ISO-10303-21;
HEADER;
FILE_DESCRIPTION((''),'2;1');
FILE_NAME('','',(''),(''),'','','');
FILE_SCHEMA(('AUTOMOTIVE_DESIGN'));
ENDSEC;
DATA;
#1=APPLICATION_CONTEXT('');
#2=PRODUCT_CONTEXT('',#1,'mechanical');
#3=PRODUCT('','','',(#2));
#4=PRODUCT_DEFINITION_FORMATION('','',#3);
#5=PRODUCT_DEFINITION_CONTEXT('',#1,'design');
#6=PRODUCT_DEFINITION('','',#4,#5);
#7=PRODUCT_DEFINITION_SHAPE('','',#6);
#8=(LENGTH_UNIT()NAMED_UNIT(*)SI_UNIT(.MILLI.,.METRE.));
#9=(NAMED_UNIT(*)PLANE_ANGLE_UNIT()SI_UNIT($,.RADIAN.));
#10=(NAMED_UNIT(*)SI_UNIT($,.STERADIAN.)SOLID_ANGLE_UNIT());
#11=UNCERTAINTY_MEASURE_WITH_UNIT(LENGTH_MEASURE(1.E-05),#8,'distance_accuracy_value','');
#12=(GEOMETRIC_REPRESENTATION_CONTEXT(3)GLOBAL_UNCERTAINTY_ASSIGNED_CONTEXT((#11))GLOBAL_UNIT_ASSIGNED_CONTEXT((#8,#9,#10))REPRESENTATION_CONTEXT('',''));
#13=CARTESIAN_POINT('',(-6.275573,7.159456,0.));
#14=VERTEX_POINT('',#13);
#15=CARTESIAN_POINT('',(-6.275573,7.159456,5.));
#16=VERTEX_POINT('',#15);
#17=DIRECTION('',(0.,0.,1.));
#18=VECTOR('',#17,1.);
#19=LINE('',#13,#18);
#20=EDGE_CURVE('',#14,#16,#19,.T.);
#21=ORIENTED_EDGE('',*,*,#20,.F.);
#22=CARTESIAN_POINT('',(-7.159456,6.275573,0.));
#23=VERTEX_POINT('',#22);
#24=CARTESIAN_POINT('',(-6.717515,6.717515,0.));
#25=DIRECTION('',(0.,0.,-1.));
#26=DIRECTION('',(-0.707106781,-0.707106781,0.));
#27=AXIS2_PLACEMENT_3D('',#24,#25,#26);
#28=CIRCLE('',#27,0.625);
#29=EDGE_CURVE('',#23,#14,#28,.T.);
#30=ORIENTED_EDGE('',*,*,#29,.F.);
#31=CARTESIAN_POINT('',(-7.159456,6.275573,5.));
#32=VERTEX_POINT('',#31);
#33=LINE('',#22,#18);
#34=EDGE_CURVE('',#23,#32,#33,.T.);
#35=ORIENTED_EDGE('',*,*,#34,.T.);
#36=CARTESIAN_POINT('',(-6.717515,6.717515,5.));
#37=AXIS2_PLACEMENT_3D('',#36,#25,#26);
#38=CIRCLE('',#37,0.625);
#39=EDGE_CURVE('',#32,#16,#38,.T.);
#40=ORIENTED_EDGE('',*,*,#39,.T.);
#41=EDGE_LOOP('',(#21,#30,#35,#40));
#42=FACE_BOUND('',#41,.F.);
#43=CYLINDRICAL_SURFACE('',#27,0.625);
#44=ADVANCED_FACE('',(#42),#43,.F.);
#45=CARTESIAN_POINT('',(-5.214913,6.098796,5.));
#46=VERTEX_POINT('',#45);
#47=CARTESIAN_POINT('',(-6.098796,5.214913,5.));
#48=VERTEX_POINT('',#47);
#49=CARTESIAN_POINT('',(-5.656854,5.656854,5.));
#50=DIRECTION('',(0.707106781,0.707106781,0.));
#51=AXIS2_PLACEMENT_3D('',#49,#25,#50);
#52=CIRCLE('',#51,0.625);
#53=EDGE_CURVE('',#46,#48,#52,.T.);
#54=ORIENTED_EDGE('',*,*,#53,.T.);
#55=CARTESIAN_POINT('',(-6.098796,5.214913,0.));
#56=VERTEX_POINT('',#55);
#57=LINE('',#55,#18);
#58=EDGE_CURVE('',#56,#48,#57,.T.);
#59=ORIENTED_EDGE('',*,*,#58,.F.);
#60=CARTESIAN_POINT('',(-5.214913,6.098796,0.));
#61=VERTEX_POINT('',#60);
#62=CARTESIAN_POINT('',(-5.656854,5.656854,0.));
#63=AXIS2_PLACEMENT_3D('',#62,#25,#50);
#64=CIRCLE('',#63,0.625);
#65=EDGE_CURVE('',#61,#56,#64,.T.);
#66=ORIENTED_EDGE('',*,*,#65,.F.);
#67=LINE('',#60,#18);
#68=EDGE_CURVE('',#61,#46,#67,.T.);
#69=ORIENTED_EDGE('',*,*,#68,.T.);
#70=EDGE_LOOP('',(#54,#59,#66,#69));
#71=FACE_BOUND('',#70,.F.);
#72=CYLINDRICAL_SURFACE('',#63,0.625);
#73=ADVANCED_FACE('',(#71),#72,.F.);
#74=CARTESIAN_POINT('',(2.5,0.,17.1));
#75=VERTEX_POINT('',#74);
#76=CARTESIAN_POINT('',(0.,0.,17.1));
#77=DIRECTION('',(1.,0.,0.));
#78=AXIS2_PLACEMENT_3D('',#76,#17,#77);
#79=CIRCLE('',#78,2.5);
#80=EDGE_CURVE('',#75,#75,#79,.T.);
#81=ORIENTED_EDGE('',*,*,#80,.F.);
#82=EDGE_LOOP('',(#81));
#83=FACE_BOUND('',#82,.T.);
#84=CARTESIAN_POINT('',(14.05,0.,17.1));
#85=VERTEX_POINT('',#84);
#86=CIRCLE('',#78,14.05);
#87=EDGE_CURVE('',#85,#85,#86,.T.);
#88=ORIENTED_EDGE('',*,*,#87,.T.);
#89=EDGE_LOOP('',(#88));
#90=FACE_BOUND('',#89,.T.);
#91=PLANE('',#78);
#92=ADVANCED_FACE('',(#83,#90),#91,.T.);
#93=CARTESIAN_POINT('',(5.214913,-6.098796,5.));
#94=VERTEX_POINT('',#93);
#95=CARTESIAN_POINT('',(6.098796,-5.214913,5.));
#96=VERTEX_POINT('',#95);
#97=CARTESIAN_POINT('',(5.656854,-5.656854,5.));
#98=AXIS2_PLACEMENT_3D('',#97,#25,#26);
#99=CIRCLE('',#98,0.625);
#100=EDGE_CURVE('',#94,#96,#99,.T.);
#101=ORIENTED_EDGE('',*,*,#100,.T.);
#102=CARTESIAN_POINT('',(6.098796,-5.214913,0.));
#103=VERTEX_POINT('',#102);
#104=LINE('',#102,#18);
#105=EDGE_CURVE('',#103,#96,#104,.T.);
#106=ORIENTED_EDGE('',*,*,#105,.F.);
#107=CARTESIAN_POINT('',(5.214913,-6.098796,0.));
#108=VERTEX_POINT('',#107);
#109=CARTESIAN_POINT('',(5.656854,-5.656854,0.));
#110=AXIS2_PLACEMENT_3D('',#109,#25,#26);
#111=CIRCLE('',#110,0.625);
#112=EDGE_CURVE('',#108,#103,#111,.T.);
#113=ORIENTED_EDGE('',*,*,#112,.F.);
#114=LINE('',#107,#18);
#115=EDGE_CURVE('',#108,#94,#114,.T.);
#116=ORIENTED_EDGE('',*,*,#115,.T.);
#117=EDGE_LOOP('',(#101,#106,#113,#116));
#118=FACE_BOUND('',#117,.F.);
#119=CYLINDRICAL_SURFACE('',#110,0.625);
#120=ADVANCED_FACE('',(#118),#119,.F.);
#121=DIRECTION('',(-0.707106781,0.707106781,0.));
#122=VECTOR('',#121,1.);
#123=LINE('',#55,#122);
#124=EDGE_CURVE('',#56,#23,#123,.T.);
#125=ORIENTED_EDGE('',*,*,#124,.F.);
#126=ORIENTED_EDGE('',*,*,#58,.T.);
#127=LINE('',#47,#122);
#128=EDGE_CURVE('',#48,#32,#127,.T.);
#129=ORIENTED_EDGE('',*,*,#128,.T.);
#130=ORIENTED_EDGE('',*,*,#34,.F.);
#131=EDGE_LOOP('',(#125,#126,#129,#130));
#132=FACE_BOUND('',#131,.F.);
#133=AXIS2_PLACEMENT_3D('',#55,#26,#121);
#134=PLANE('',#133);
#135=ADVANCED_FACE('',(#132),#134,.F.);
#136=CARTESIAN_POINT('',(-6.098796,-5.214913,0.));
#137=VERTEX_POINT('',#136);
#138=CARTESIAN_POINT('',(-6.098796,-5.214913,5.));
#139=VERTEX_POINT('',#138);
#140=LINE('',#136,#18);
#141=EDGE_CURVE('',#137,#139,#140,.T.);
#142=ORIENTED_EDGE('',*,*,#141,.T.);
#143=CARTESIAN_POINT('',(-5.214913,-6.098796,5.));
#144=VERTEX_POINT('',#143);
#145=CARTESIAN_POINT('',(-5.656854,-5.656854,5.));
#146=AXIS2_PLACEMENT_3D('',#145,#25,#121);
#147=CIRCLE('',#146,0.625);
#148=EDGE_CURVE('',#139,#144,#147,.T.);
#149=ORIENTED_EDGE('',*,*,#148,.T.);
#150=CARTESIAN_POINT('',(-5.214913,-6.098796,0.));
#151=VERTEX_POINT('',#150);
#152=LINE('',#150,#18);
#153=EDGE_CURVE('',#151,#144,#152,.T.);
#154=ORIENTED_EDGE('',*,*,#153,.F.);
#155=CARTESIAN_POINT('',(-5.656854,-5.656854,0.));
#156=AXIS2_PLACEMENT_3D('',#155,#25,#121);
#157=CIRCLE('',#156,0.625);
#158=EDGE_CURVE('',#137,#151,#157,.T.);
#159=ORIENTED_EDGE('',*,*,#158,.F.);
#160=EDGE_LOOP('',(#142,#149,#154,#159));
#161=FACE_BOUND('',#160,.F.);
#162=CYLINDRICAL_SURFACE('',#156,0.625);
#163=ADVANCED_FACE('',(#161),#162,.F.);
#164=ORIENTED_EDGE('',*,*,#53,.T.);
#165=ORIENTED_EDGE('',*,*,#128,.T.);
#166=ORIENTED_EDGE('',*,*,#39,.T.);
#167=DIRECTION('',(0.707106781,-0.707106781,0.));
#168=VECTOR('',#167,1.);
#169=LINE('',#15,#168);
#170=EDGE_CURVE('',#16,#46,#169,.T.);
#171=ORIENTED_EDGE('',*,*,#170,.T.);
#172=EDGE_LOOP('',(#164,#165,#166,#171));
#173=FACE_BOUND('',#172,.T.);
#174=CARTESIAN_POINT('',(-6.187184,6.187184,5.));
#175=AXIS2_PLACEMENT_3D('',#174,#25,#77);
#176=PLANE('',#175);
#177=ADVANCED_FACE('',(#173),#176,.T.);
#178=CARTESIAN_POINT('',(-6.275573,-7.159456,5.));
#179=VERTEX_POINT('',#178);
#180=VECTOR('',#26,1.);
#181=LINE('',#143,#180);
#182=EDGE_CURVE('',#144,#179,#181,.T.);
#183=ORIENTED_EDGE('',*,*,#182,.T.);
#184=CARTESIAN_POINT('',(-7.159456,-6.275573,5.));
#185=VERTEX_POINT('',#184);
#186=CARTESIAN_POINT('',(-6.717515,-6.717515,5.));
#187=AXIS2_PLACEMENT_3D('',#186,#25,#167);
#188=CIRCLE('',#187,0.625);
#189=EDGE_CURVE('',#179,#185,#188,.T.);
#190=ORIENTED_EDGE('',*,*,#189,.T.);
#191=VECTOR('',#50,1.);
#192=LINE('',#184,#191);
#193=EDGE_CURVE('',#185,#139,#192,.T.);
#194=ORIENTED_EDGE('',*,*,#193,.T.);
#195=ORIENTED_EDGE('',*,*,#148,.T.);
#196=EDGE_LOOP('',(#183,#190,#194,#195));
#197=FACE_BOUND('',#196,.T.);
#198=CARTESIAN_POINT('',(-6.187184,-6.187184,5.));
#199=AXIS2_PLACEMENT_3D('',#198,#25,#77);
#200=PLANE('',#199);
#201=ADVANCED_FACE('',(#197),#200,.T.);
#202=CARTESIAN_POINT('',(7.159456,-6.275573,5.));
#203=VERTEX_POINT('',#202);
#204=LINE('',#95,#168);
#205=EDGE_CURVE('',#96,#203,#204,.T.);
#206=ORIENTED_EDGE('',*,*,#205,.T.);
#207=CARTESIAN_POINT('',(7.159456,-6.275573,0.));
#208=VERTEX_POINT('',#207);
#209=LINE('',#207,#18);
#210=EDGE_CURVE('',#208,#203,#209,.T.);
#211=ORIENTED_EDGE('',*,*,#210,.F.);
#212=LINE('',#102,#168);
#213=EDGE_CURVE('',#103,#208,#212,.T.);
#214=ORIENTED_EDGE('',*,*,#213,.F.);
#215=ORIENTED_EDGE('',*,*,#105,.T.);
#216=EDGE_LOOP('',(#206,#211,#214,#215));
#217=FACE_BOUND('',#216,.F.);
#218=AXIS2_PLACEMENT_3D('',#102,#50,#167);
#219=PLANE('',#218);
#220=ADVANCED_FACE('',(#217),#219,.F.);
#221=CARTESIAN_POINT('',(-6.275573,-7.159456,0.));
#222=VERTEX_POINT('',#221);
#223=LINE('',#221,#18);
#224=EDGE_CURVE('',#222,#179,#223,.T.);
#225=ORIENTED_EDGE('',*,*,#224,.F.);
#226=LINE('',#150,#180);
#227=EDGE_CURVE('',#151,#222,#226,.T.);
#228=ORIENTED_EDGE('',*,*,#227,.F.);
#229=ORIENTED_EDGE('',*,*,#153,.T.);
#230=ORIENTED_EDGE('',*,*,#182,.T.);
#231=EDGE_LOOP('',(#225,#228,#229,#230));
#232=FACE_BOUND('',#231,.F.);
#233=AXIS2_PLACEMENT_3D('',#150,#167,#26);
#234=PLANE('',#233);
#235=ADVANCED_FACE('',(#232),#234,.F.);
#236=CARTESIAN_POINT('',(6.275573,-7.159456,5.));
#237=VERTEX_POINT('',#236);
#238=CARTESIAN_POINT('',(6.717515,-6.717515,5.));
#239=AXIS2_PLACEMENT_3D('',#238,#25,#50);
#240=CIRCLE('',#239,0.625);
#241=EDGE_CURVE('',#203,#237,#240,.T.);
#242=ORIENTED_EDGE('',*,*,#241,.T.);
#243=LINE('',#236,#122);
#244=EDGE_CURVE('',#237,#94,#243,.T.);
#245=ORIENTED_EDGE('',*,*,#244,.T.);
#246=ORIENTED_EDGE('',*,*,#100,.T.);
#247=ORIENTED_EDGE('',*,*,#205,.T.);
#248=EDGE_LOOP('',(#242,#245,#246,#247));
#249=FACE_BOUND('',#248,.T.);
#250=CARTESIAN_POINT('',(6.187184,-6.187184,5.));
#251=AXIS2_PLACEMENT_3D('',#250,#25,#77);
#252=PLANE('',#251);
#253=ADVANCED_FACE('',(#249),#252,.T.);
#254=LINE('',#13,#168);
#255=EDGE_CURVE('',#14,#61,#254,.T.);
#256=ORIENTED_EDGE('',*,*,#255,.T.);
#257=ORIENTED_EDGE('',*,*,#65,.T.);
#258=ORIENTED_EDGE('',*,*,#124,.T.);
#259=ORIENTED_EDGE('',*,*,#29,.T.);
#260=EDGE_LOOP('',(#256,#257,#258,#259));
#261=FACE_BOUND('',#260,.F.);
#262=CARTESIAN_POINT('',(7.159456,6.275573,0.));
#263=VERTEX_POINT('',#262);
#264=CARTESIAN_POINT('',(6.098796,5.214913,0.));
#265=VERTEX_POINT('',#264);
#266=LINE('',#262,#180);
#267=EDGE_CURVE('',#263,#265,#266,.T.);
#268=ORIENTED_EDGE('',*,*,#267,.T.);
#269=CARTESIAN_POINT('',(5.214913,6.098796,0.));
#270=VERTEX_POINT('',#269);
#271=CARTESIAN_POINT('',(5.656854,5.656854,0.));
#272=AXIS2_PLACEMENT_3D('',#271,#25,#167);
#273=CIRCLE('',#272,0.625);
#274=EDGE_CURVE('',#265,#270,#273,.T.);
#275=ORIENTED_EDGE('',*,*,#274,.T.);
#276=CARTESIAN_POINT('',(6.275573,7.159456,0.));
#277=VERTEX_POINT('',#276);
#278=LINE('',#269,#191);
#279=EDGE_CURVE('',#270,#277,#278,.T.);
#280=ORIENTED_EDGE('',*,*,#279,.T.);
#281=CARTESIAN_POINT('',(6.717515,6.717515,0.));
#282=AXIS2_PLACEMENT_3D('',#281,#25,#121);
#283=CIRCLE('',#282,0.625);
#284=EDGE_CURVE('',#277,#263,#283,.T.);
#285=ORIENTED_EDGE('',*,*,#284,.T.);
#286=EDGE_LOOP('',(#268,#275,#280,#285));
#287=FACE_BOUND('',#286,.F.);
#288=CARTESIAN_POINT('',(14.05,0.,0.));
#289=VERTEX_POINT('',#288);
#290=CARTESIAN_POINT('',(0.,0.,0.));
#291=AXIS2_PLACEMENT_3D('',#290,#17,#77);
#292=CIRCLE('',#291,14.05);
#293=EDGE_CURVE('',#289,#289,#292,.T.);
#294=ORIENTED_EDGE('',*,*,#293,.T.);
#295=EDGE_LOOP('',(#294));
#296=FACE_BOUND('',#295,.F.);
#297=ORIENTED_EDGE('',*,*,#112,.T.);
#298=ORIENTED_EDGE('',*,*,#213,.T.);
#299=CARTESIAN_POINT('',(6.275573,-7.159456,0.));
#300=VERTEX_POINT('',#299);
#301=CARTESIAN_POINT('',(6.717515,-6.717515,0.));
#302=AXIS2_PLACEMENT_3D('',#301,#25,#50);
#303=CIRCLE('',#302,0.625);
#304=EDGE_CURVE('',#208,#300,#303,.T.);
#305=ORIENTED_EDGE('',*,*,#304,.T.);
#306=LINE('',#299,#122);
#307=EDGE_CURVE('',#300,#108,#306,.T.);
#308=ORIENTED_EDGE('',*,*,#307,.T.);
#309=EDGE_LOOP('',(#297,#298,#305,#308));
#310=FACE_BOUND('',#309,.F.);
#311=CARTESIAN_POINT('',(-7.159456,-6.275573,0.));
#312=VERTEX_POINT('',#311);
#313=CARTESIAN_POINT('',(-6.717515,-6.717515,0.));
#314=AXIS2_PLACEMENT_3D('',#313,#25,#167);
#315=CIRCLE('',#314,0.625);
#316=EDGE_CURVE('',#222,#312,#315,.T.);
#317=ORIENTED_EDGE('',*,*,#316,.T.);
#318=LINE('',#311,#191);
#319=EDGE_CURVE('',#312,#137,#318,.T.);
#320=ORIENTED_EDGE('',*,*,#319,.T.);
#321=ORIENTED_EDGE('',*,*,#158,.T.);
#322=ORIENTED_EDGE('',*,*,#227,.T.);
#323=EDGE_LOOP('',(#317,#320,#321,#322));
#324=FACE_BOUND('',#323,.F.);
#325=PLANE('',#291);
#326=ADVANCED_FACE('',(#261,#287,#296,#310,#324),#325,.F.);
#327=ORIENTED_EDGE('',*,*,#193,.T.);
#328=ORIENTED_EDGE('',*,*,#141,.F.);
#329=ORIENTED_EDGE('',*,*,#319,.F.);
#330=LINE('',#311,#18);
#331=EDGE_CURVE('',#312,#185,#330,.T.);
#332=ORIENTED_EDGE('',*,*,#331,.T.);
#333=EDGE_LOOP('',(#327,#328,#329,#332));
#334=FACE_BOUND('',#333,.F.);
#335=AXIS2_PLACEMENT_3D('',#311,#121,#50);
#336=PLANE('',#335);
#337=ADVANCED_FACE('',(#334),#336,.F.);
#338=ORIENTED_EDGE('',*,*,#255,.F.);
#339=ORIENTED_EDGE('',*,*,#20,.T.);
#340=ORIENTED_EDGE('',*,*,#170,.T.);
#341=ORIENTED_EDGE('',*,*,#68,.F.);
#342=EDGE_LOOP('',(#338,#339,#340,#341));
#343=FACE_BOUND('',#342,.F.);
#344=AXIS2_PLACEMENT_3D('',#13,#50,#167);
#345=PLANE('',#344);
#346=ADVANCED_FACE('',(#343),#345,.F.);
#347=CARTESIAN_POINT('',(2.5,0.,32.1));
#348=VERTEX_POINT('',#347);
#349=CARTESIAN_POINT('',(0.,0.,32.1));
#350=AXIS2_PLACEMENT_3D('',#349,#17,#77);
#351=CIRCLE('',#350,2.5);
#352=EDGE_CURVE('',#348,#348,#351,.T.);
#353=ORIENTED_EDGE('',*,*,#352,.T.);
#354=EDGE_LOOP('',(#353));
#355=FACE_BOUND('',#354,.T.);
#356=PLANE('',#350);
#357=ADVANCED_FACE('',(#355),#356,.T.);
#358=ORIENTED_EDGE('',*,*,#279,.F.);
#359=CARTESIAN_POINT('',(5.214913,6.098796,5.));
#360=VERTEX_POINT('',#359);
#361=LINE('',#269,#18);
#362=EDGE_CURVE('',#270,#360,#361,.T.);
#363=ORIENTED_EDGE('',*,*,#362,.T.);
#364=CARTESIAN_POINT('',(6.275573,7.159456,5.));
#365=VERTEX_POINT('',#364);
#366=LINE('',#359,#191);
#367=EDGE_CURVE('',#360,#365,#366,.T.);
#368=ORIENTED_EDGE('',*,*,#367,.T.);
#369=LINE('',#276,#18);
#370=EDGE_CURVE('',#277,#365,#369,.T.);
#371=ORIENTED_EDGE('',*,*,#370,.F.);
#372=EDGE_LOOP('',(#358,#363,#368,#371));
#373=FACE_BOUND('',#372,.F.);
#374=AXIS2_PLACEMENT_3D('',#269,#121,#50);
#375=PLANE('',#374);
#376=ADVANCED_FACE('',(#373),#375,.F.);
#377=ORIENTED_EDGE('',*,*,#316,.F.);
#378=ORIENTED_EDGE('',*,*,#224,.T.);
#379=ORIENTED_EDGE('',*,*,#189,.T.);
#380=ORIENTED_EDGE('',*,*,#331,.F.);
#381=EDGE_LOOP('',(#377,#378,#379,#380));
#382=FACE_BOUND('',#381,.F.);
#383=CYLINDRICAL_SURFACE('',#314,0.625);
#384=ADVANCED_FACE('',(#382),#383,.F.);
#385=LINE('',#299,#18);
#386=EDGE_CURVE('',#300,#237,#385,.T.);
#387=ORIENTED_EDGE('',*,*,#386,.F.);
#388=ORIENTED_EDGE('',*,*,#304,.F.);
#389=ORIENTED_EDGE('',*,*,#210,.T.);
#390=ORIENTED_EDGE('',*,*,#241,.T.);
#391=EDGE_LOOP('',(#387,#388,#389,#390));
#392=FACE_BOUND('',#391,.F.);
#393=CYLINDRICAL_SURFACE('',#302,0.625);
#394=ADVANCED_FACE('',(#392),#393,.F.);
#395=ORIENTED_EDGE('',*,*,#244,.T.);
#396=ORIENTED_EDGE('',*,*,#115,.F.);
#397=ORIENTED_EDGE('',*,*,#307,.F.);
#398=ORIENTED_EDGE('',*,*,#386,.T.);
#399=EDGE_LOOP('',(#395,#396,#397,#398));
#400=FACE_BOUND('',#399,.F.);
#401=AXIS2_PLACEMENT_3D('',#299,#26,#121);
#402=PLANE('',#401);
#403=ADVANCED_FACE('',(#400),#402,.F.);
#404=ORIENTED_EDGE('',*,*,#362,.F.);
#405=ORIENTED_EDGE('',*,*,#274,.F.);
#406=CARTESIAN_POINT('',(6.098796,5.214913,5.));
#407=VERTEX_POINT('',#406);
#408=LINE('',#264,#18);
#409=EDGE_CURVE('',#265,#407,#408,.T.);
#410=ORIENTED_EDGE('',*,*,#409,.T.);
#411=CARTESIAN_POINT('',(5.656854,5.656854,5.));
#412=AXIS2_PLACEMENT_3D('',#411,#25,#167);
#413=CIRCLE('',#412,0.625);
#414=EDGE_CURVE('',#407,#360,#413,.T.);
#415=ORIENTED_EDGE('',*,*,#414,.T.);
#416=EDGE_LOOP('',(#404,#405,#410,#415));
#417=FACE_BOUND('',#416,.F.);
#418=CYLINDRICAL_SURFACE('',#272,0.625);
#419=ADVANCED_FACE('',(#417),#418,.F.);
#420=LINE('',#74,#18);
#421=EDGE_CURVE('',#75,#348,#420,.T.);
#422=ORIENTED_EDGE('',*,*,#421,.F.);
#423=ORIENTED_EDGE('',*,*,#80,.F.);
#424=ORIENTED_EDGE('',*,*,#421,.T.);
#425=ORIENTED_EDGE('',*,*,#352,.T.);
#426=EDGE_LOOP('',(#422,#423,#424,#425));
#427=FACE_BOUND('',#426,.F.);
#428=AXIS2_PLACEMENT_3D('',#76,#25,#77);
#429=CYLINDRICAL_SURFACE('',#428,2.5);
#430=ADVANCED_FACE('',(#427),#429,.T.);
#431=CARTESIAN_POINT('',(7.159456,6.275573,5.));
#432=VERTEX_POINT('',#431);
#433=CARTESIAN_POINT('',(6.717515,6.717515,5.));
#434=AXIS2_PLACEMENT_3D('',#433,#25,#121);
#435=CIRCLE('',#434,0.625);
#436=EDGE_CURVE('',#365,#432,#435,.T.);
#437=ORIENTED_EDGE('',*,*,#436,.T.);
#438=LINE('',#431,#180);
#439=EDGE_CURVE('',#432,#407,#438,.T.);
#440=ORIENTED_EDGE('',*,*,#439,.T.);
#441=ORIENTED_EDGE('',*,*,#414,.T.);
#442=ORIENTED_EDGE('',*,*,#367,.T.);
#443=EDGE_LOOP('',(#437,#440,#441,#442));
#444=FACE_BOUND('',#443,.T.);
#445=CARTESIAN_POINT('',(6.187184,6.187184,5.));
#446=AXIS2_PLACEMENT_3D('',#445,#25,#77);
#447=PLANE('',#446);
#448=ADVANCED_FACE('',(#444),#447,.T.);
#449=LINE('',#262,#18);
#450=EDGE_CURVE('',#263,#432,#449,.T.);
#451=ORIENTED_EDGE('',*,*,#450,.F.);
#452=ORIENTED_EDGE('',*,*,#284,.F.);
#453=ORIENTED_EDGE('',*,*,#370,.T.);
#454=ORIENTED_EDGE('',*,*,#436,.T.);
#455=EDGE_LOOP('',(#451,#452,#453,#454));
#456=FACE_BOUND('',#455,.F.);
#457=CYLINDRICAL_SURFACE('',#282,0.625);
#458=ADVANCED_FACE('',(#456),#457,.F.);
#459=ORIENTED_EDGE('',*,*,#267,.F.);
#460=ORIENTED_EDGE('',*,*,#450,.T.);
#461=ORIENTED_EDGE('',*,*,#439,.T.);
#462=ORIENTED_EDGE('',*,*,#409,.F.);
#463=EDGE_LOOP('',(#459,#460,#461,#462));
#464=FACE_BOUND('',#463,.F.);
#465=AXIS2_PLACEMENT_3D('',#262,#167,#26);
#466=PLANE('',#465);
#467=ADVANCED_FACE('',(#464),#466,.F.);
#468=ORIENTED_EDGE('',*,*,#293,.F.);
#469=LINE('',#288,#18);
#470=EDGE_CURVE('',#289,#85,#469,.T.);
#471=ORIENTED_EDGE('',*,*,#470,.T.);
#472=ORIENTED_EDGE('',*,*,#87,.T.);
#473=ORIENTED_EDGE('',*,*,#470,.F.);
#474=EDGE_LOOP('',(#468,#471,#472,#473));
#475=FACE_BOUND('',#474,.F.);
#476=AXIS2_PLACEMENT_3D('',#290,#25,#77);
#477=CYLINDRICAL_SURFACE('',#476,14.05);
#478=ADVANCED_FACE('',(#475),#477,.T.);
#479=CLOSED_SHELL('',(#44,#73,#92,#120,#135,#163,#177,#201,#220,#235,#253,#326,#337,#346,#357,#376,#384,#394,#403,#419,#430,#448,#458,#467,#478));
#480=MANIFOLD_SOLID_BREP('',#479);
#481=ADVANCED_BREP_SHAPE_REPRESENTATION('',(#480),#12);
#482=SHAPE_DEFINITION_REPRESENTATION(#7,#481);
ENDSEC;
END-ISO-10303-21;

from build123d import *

# Parameters (mm, degrees)
F0_R     = 14.05
F1_DEPTH = 17.1
F2_R     = 2.5
F3_DEPTH = 15
F5_DEPTH = 5


with BuildPart() as f1:
    # F0 (on Top) → F1 (new body)
    with BuildSketch(Plane.XY):
        Circle(F0_R)
    extrude(amount=F1_DEPTH)

    # F2 (on face) → F3 (join)
    with BuildSketch(Plane.XY.offset(17.1)):
        Circle(F2_R)
    extrude(amount=F3_DEPTH)

    # F4 (on face) → F5 (cut)
    with BuildSketch(Plane(origin=(0, 0, 0), x_dir=(1, 0, 0), z_dir=(0, 0, -1))):
        with BuildLine():
            ThreePointArc((-6.275573, 7.159456), (-7.159456, 7.159456), (-7.159456, 6.275573))
            Line((-7.159456, 6.275573), (-6.098796, 5.214913))
            ThreePointArc((-6.098796, 5.214913), (-5.214913, 5.214913), (-5.214913, 6.098796))
            Line((-5.214913, 6.098796), (-6.275573, 7.159456))
        make_face()
        with BuildLine():
            ThreePointArc((7.159456, 6.275573), (7.159456, 7.159456), (6.275573, 7.159456))
            Line((6.275573, 7.159456), (5.214913, 6.098796))
            ThreePointArc((5.214913, 6.098796), (5.214913, 5.214913), (6.098796, 5.214913))
            Line((6.098796, 5.214913), (7.159456, 6.275573))
        make_face()
        with BuildLine():
            ThreePointArc((6.275573, -7.159456), (7.159456, -7.159456), (7.159456, -6.275573))
            Line((7.159456, -6.275573), (6.098796, -5.214913))
            ThreePointArc((6.098796, -5.214913), (5.214913, -5.214913), (5.214913, -6.098796))
            Line((5.214913, -6.098796), (6.275573, -7.159456))
        make_face()
        with BuildLine():
            ThreePointArc((-7.159456, -6.275573), (-7.159456, -7.159456), (-6.275573, -7.159456))
            Line((-6.275573, -7.159456), (-5.214913, -6.098796))
            ThreePointArc((-5.214913, -6.098796), (-5.214913, -5.214913), (-6.098796, -5.214913))
            Line((-6.098796, -5.214913), (-7.159456, -6.275573))
        make_face()
    extrude(amount=-F5_DEPTH, mode=Mode.SUBTRACT)


solid = f1.part
